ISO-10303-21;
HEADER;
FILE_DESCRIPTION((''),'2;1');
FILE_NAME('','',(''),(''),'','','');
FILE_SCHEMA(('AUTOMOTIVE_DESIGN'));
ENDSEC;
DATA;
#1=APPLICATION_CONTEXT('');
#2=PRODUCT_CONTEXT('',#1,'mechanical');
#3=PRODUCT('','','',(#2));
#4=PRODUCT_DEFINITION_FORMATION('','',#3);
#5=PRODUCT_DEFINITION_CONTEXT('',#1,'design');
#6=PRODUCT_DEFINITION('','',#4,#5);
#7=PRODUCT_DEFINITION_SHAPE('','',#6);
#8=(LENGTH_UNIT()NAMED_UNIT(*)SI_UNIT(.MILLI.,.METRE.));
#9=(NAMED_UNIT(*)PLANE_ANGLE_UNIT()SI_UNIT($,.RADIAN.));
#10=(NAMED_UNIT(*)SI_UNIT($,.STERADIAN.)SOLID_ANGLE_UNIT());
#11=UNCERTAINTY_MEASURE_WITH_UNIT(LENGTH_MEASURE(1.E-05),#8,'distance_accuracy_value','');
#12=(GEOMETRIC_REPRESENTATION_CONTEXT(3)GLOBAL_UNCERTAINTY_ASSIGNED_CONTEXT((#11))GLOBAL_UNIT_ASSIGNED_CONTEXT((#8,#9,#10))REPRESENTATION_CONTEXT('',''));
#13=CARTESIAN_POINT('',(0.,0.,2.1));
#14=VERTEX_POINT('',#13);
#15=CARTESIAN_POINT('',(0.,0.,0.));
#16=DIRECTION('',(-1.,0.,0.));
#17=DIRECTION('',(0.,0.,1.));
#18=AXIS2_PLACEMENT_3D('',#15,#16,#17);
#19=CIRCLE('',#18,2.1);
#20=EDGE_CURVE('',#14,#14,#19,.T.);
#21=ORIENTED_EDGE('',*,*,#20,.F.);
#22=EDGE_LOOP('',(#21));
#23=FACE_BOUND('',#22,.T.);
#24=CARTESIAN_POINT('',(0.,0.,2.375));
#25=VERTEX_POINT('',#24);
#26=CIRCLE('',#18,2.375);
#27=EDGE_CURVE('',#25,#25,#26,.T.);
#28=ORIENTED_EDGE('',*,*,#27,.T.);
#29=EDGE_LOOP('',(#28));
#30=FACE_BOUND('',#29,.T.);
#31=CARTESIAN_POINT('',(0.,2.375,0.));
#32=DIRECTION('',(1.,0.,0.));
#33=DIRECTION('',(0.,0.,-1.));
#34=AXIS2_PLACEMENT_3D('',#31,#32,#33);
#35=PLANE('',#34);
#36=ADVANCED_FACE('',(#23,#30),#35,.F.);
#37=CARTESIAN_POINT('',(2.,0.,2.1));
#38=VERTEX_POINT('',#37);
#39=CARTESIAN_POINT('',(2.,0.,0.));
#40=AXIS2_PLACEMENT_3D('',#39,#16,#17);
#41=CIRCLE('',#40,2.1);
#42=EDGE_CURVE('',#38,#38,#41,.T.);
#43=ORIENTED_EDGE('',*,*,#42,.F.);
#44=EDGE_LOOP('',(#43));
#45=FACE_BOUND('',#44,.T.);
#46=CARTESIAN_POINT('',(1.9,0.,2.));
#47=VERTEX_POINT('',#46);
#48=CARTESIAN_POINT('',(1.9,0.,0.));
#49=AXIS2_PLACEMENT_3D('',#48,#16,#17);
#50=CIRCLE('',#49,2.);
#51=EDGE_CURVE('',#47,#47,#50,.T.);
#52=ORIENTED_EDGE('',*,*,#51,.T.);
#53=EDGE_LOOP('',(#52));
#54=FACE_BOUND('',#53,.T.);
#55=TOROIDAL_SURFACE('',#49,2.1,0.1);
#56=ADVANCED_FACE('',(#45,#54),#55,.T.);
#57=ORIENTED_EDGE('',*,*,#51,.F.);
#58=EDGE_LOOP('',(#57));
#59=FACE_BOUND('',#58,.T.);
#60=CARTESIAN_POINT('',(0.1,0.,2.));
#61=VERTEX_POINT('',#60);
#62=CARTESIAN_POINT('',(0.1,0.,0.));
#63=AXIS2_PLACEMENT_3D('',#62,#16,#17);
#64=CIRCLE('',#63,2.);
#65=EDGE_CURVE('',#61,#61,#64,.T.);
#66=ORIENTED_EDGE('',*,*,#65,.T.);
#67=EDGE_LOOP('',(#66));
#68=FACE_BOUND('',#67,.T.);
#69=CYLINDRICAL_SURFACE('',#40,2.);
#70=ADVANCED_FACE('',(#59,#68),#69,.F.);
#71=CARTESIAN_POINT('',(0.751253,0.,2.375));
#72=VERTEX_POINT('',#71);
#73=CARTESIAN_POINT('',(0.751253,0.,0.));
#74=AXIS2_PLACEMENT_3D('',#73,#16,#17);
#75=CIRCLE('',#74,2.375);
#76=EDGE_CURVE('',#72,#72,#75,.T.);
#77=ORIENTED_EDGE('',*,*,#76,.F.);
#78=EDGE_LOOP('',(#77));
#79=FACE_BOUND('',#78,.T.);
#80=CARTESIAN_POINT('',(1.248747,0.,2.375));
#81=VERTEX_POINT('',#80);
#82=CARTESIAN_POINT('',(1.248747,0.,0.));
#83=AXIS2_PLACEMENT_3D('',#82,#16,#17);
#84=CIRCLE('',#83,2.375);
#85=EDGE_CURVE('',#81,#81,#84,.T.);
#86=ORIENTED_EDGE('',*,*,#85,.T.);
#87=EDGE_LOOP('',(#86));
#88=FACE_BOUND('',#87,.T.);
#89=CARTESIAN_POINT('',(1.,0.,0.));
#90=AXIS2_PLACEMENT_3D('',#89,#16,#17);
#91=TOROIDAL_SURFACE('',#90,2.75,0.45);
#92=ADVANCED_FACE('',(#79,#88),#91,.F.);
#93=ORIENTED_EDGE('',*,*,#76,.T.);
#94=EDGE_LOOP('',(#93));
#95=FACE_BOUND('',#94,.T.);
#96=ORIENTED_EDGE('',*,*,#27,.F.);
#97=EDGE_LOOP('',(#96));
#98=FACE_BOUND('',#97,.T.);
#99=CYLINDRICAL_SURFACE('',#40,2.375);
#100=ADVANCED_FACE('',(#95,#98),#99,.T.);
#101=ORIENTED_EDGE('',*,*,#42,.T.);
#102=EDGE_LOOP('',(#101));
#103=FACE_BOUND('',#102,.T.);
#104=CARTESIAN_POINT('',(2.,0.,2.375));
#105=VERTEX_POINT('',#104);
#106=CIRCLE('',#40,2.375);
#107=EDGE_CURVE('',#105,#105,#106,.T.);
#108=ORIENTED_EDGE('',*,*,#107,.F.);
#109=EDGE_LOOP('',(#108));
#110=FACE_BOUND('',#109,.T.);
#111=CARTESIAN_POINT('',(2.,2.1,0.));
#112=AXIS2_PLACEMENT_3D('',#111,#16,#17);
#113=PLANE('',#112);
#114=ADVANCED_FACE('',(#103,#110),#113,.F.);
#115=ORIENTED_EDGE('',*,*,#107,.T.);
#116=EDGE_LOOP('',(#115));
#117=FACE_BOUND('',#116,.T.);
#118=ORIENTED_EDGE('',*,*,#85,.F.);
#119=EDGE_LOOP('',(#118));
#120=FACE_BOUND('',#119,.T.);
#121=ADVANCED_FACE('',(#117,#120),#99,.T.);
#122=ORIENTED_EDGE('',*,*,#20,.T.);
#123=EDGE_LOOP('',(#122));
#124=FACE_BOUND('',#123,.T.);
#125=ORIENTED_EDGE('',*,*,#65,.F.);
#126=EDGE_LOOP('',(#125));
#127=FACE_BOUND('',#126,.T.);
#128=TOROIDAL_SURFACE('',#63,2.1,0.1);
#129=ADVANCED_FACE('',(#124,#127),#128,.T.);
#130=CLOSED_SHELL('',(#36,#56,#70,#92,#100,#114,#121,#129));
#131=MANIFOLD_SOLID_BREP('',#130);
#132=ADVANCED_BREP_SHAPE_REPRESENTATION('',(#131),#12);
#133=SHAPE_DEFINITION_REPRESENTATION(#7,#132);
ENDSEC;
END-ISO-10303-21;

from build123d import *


with BuildPart() as part:
    # Sketch1 → Revolve1 (revolve)
    with BuildSketch(Plane.XY):
        with BuildLine():
            Line((0, 2.375), (0, 2.1))
            ThreePointArc((0, 2.1), (0.029289322, 2.029289322), (0.1, 2))
            Line((0.1, 2), (1.9, 2))
            ThreePointArc((1.9, 2), (1.970710678, 2.029289322), (2, 2.1))
            Line((2, 2.1), (2, 2.375))
            Line((2, 2.375), (1.248746859, 2.375))
            ThreePointArc((1.248746859, 2.375), (1, 2.3), (0.751253141, 2.375))
            Line((0.751253141, 2.375), (0, 2.375))
        make_face()
    revolve(axis=Axis((2, 0, 0), (-1, 0, 0)))


solid = part.part
